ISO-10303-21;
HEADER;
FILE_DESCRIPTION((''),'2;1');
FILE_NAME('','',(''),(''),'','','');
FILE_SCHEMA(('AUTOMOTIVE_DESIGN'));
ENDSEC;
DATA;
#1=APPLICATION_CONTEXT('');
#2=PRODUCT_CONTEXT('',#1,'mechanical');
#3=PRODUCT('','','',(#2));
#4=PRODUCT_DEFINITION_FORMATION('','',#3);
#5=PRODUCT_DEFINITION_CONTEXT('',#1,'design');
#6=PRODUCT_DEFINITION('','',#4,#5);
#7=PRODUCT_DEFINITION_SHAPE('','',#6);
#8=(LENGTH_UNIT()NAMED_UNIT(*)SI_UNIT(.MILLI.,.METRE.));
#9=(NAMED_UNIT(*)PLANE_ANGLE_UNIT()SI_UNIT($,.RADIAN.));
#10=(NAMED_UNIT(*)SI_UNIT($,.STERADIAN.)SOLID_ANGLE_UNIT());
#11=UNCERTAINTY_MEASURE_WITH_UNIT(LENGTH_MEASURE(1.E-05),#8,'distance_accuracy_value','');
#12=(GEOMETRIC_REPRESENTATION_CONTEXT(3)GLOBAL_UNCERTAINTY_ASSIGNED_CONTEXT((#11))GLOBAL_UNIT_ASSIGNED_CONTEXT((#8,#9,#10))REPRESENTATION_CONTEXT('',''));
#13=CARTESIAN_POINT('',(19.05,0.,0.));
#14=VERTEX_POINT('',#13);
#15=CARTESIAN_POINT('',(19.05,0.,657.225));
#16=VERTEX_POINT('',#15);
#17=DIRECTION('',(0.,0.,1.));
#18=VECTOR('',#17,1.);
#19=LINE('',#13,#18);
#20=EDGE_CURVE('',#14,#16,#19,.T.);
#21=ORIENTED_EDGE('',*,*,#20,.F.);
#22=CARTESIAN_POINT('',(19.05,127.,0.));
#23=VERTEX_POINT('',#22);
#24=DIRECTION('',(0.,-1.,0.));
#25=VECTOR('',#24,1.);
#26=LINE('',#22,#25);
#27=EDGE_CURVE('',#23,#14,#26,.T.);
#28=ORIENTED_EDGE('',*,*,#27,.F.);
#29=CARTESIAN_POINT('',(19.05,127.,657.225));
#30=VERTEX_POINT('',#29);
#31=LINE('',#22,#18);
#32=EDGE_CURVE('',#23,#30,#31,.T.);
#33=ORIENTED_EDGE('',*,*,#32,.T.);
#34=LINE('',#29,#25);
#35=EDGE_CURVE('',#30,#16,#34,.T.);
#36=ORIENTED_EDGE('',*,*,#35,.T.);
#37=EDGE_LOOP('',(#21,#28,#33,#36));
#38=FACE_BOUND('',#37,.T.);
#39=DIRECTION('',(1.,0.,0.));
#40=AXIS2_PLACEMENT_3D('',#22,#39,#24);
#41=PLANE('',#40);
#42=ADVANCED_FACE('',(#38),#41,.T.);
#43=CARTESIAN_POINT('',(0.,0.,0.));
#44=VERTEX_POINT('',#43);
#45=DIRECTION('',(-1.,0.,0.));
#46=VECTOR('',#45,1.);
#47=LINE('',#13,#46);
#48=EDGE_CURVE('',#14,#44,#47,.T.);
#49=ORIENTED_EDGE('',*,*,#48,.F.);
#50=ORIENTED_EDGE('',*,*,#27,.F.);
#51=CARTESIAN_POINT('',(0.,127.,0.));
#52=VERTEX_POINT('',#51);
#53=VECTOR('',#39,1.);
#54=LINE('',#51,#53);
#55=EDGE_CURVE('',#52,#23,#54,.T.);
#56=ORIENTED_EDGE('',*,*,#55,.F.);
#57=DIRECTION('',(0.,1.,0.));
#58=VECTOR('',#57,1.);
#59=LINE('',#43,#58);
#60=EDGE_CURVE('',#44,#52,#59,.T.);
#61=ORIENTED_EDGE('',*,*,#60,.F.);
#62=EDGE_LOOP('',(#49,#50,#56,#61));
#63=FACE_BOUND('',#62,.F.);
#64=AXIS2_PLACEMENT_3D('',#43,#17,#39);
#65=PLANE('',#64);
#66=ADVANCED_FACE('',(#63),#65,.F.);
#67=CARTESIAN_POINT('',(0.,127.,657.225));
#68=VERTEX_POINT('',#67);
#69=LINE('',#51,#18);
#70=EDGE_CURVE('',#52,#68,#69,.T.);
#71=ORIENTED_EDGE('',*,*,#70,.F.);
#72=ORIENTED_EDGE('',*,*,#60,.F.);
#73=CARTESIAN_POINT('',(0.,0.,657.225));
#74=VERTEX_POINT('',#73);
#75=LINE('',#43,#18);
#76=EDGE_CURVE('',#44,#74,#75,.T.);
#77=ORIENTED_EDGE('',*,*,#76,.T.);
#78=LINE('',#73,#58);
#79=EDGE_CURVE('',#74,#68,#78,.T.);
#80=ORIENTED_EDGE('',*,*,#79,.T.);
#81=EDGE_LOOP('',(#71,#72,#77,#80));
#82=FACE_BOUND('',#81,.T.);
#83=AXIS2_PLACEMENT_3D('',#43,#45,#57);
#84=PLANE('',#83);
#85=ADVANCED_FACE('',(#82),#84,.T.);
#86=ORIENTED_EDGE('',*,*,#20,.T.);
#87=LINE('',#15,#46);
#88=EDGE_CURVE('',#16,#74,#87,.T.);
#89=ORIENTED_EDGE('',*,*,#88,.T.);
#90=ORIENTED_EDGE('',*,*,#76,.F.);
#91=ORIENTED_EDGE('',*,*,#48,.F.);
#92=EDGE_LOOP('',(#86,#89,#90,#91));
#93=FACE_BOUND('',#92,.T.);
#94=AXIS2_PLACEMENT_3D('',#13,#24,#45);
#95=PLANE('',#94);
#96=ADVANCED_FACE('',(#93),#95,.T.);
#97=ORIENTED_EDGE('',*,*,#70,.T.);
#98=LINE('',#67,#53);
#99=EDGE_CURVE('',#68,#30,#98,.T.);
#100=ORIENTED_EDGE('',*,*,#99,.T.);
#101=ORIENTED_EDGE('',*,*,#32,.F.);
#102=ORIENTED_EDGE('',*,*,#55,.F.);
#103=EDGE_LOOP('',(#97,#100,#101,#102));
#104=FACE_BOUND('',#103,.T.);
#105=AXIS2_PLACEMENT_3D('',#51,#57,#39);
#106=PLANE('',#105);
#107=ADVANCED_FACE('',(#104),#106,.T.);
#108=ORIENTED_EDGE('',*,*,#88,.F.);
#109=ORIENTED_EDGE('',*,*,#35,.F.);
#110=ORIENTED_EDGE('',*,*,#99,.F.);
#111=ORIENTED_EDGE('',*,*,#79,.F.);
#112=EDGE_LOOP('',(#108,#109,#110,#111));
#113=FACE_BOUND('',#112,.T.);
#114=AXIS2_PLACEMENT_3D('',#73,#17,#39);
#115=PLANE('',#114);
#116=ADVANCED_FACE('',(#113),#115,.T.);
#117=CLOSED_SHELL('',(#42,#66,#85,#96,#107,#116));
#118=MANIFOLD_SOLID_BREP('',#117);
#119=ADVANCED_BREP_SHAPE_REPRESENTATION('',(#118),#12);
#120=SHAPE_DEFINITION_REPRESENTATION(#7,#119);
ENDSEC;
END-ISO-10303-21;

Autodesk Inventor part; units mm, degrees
ref_plane "YZ Plane" through (0, 0, 0) normal (1, 0, 0) x (0, 1, 0)
ref_plane "XZ Plane" through (0, 0, 0) normal (0, 1, 0) x (-1, 0, 0)
ref_plane "XY Plane" through (0, 0, 0) normal (0, 0, 1) x (1, 0, 0)
sketch "Sketch1" plane through (0, 0, 0) normal (0, 0, 1) x (1, 0, 0)
  line L0 (0, 0) -> (0, 127)
  line L1 (0, 127) -> (19.05, 127)
  line L2 (19.05, 127) -> (19.05, 0)
  line L3 (19.05, 0) -> (0, 0)
  dimension "d0" = 127
  dimension "d1" = 19.05
extrude "Extrusion1" add sketch "Sketch1" along normal blind 657.225
properties part number "Bumper Wood Backing Part1 (26x28 robot)" material "Wood (Birch)"
